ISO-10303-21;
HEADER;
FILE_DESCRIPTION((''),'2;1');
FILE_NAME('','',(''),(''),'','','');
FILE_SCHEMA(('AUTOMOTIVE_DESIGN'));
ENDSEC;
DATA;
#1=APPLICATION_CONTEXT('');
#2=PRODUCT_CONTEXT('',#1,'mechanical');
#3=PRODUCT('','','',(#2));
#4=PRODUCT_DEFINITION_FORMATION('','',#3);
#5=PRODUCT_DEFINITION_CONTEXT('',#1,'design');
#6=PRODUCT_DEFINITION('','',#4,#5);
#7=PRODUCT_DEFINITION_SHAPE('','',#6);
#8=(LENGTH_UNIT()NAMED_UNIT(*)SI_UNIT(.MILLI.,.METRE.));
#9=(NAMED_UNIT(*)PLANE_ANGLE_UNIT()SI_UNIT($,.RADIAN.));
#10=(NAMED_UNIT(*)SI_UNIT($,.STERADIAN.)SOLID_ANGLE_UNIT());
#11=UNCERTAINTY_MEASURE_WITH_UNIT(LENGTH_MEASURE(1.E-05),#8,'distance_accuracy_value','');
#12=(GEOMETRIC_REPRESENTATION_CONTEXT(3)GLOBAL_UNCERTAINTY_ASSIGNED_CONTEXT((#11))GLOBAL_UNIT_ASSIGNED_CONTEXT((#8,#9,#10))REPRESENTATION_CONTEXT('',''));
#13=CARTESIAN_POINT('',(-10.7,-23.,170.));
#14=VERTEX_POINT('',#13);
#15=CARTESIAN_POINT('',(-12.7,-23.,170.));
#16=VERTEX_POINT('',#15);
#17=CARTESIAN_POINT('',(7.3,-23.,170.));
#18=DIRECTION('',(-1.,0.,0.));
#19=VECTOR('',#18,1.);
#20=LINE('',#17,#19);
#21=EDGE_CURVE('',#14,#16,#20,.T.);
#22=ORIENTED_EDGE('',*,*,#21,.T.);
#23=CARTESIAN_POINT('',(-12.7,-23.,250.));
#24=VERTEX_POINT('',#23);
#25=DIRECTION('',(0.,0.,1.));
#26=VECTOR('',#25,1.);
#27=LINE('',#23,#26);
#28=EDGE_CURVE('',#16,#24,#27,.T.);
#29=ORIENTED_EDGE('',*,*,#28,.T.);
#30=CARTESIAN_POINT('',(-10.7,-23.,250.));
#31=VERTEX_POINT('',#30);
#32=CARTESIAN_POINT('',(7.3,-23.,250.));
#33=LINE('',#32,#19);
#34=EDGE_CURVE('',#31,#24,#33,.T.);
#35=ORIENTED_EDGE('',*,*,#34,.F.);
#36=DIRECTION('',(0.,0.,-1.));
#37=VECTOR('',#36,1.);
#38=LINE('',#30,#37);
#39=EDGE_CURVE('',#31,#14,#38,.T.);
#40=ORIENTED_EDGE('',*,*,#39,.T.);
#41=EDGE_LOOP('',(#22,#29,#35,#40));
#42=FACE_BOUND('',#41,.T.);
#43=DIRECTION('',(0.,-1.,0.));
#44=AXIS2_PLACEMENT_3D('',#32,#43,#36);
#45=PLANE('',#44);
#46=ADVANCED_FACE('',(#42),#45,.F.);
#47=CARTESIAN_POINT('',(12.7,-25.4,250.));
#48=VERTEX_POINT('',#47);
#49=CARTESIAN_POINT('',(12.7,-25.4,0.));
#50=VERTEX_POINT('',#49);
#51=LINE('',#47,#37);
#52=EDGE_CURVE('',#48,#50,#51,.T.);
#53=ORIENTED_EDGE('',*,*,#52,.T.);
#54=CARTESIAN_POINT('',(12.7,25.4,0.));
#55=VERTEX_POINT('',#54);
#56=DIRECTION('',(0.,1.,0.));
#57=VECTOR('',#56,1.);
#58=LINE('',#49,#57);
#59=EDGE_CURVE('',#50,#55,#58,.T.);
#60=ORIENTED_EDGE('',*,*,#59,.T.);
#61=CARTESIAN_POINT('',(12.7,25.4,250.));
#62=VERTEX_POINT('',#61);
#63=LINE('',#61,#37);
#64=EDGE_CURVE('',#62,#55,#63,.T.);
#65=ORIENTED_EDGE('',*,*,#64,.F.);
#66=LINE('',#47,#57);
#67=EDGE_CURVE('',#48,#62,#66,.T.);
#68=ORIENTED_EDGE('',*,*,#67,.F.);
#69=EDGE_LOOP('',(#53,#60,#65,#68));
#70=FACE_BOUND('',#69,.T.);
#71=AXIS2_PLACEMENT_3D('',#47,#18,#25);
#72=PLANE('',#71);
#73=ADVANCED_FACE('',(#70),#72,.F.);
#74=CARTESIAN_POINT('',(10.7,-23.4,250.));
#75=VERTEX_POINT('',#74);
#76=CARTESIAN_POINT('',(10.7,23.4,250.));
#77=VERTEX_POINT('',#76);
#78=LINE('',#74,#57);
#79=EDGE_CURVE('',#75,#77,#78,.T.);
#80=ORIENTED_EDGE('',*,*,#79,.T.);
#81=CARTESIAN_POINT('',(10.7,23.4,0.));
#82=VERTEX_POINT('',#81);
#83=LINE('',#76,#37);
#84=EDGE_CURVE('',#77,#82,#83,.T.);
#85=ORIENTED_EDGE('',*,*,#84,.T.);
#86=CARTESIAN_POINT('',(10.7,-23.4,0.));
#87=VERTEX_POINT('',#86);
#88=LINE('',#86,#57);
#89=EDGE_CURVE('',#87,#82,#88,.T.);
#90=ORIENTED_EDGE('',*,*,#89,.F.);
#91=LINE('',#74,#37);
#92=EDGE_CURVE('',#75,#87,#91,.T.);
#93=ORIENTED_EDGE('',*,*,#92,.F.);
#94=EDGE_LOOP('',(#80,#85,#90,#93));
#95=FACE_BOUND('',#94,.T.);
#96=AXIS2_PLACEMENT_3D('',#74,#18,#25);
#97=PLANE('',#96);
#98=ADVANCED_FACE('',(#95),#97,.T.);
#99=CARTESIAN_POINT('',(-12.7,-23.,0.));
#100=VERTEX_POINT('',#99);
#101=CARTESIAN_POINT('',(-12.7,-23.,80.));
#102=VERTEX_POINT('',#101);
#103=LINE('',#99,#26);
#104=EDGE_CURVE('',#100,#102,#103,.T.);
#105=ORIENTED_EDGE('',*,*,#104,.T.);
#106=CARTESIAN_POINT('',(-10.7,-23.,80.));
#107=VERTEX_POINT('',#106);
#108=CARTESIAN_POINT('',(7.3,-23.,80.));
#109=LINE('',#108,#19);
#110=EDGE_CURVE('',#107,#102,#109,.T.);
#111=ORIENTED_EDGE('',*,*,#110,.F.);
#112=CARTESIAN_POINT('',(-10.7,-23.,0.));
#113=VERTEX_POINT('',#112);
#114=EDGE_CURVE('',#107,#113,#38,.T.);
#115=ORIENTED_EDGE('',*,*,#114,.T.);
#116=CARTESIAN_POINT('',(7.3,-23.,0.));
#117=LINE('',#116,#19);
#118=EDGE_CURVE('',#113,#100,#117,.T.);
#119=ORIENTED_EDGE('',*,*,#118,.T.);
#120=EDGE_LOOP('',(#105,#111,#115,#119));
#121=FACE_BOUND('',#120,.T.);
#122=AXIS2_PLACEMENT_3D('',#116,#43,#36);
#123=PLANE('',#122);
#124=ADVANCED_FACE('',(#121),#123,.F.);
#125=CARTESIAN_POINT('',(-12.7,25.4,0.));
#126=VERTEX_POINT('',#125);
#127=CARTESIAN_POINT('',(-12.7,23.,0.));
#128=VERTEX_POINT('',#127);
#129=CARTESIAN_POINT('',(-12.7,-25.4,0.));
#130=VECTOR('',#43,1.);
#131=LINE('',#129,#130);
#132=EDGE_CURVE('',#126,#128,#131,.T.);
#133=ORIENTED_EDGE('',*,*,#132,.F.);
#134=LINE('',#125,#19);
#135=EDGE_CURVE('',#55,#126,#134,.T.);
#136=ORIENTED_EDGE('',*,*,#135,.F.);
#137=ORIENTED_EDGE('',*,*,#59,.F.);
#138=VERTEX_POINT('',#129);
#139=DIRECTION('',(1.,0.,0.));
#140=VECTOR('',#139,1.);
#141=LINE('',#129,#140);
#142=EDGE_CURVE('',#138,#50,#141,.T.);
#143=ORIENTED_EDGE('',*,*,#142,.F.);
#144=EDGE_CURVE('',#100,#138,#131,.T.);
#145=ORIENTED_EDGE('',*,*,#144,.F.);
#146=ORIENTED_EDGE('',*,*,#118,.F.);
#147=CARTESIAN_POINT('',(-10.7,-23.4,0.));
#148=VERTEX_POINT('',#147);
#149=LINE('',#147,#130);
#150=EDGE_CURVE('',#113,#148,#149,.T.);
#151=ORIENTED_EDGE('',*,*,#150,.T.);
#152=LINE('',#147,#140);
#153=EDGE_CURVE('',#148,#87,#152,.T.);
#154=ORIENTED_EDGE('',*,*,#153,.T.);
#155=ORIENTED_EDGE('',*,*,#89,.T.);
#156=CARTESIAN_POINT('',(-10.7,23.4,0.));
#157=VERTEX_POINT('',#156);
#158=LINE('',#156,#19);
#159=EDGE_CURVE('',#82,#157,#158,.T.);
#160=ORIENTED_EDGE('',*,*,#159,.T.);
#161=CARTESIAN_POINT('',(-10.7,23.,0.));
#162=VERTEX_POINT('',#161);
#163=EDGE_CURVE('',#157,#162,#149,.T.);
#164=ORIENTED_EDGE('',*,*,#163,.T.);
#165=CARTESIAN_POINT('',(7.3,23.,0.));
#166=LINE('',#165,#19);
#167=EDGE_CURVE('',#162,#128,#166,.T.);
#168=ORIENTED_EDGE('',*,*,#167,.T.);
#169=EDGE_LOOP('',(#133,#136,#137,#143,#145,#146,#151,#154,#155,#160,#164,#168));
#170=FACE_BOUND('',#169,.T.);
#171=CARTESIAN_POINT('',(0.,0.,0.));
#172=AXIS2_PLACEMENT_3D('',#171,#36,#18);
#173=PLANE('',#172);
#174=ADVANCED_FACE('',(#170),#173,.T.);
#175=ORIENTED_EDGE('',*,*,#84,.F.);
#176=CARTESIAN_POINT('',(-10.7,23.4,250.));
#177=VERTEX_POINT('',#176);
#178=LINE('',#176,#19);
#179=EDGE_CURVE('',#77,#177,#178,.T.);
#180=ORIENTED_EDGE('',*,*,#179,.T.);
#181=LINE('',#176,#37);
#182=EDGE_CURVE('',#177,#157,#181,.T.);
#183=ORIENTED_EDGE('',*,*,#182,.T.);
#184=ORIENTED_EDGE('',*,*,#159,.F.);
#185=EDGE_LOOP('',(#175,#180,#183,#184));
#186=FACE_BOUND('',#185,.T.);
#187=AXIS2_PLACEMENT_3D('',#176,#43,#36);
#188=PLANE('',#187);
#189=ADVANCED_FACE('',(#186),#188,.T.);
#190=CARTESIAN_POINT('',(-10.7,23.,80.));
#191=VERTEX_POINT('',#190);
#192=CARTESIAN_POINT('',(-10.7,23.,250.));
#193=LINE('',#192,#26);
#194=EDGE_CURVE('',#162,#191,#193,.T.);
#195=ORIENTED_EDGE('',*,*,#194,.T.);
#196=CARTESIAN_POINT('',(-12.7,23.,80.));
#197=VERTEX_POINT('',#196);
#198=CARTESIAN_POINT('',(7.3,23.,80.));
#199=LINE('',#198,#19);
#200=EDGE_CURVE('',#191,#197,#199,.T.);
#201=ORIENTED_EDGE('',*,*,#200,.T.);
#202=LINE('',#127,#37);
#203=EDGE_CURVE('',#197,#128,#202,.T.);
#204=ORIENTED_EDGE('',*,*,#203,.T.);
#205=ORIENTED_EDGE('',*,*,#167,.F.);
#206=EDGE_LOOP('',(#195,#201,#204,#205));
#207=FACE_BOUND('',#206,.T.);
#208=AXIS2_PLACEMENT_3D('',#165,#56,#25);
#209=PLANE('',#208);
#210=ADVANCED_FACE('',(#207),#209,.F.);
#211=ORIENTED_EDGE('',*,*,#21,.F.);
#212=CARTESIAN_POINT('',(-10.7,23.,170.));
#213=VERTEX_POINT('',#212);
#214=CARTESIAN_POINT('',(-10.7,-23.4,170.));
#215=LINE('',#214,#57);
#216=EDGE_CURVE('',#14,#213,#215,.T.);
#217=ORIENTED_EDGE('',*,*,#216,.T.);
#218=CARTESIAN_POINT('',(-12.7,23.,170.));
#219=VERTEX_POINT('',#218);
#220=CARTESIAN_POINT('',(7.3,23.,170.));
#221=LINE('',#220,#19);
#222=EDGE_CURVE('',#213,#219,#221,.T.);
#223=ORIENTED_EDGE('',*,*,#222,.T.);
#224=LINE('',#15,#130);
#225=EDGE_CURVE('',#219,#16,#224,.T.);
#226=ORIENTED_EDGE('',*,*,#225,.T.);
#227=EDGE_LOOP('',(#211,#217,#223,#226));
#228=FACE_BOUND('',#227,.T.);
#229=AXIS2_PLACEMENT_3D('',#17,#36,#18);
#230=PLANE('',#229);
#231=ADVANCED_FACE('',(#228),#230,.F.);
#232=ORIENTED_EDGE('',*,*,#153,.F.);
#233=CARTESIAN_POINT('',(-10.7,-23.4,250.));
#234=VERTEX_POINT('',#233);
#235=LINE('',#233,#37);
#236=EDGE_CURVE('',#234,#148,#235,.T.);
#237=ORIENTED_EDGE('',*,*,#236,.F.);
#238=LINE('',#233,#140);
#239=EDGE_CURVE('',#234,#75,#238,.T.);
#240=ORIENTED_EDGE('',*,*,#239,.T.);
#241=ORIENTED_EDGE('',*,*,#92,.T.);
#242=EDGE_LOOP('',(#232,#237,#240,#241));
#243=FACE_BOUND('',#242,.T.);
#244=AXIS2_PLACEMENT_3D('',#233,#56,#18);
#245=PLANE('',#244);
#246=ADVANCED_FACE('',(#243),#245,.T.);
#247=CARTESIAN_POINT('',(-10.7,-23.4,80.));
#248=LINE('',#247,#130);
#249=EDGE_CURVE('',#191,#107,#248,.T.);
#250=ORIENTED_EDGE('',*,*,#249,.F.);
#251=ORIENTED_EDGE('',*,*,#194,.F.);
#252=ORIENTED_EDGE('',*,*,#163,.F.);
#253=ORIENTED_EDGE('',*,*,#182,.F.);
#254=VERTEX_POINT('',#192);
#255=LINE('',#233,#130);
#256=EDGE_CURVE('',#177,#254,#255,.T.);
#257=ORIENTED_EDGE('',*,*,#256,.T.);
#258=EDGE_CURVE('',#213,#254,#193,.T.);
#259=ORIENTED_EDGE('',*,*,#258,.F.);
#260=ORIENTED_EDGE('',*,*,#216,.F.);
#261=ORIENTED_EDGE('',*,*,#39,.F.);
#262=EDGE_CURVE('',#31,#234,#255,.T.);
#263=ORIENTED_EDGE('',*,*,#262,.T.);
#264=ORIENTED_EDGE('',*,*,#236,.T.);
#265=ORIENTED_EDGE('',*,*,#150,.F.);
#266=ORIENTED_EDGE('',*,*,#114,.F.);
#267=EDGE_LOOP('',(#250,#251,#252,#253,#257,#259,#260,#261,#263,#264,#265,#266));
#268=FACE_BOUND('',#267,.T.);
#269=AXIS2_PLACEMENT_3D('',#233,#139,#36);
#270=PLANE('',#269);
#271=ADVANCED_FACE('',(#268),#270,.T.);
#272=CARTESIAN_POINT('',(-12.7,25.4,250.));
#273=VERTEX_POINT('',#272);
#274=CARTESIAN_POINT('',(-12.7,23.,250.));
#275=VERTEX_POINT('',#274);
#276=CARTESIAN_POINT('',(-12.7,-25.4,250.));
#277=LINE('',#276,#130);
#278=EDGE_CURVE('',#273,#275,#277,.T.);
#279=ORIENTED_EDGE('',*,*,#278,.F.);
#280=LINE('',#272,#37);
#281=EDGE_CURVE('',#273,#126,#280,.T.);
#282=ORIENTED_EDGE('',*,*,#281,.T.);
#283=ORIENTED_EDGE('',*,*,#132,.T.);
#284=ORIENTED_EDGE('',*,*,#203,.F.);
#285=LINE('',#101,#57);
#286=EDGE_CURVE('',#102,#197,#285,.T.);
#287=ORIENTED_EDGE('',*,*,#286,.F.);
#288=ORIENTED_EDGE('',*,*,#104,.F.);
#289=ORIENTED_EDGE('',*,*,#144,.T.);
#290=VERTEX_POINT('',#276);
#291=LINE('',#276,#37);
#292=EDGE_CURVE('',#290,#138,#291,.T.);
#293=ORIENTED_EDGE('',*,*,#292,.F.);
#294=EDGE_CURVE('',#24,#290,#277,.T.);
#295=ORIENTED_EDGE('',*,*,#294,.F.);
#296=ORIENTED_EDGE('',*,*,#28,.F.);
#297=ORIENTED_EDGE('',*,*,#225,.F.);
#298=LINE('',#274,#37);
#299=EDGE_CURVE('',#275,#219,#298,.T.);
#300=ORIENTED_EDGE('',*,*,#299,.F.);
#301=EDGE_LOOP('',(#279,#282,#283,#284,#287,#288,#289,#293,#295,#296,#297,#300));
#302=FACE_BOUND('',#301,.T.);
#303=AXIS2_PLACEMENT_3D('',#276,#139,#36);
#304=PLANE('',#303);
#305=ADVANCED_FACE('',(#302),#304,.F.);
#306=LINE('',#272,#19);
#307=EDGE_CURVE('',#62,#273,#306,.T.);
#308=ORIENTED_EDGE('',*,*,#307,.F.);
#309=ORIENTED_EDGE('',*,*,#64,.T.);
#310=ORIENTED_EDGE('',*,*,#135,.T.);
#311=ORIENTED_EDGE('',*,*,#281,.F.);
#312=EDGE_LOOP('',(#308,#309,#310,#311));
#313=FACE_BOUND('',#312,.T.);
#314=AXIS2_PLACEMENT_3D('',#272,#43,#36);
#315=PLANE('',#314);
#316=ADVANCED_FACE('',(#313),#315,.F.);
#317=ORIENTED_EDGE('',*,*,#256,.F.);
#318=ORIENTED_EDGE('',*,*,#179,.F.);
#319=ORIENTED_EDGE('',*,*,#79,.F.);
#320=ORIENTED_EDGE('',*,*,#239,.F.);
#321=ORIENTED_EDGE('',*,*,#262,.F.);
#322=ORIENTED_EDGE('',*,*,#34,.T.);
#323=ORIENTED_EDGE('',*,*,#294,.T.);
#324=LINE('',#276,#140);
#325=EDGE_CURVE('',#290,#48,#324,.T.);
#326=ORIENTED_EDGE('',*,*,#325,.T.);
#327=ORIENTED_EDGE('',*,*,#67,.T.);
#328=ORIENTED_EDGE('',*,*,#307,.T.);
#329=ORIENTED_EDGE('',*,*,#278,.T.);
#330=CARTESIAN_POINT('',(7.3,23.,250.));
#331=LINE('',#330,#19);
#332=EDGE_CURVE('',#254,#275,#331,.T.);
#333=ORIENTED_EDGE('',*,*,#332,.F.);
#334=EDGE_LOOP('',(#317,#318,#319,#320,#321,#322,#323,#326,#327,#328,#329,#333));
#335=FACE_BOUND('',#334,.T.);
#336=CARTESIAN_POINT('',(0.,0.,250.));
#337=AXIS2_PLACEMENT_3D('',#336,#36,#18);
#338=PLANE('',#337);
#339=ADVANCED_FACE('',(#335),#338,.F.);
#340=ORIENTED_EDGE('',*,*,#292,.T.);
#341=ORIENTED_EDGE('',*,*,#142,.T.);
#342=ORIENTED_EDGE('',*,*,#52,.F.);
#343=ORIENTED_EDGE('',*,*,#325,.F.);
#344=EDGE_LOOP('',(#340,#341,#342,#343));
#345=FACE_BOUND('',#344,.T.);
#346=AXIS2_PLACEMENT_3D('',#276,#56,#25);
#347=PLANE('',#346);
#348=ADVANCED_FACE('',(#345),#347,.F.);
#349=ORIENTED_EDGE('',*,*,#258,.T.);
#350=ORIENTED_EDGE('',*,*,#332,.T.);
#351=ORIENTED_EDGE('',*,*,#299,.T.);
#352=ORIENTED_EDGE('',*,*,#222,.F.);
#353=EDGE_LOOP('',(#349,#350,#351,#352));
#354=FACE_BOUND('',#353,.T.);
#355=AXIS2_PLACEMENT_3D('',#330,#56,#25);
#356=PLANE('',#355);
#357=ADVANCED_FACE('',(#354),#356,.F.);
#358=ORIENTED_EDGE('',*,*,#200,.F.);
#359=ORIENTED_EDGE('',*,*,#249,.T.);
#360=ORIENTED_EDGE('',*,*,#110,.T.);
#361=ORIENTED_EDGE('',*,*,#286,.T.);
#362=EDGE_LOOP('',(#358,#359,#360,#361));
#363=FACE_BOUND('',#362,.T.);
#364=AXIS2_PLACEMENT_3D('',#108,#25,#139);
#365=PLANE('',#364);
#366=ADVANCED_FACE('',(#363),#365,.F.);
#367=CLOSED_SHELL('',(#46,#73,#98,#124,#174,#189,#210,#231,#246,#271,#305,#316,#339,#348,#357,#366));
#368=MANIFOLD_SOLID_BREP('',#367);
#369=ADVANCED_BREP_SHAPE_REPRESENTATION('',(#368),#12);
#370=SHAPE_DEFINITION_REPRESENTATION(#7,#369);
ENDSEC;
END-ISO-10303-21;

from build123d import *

# Parameters (mm, degrees)
SKETCH1_W           = 25.4
SKETCH1_H           = 50.8
SKETCH1_W_2         = 21.4
SKETCH1_H_2         = 46.8
BOSS_EXTRUDE1_DEPTH = 250
SKETCH2_W           = 80
SKETCH2_H           = 46
CUT_EXTRUDE1_DEPTH  = 20


with BuildPart() as part:
    # Sketch1 → Boss-Extrude1 (new body)
    with BuildSketch(Plane.XY):
        Rectangle(SKETCH1_W, SKETCH1_H)
        Rectangle(SKETCH1_W_2, SKETCH1_H_2, mode=Mode.SUBTRACT)
    extrude(amount=BOSS_EXTRUDE1_DEPTH)

    # Sketch2 → Cut-Extrude1 (cut)
    with BuildSketch(Plane.ZY.offset(12.7)):
        with Locations((40, 0)):
            Rectangle(SKETCH2_W, SKETCH2_H)
        with Locations((210, 0)):
            Rectangle(SKETCH2_W, SKETCH2_H)
    extrude(amount=-CUT_EXTRUDE1_DEPTH, mode=Mode.SUBTRACT)


solid = part.part
